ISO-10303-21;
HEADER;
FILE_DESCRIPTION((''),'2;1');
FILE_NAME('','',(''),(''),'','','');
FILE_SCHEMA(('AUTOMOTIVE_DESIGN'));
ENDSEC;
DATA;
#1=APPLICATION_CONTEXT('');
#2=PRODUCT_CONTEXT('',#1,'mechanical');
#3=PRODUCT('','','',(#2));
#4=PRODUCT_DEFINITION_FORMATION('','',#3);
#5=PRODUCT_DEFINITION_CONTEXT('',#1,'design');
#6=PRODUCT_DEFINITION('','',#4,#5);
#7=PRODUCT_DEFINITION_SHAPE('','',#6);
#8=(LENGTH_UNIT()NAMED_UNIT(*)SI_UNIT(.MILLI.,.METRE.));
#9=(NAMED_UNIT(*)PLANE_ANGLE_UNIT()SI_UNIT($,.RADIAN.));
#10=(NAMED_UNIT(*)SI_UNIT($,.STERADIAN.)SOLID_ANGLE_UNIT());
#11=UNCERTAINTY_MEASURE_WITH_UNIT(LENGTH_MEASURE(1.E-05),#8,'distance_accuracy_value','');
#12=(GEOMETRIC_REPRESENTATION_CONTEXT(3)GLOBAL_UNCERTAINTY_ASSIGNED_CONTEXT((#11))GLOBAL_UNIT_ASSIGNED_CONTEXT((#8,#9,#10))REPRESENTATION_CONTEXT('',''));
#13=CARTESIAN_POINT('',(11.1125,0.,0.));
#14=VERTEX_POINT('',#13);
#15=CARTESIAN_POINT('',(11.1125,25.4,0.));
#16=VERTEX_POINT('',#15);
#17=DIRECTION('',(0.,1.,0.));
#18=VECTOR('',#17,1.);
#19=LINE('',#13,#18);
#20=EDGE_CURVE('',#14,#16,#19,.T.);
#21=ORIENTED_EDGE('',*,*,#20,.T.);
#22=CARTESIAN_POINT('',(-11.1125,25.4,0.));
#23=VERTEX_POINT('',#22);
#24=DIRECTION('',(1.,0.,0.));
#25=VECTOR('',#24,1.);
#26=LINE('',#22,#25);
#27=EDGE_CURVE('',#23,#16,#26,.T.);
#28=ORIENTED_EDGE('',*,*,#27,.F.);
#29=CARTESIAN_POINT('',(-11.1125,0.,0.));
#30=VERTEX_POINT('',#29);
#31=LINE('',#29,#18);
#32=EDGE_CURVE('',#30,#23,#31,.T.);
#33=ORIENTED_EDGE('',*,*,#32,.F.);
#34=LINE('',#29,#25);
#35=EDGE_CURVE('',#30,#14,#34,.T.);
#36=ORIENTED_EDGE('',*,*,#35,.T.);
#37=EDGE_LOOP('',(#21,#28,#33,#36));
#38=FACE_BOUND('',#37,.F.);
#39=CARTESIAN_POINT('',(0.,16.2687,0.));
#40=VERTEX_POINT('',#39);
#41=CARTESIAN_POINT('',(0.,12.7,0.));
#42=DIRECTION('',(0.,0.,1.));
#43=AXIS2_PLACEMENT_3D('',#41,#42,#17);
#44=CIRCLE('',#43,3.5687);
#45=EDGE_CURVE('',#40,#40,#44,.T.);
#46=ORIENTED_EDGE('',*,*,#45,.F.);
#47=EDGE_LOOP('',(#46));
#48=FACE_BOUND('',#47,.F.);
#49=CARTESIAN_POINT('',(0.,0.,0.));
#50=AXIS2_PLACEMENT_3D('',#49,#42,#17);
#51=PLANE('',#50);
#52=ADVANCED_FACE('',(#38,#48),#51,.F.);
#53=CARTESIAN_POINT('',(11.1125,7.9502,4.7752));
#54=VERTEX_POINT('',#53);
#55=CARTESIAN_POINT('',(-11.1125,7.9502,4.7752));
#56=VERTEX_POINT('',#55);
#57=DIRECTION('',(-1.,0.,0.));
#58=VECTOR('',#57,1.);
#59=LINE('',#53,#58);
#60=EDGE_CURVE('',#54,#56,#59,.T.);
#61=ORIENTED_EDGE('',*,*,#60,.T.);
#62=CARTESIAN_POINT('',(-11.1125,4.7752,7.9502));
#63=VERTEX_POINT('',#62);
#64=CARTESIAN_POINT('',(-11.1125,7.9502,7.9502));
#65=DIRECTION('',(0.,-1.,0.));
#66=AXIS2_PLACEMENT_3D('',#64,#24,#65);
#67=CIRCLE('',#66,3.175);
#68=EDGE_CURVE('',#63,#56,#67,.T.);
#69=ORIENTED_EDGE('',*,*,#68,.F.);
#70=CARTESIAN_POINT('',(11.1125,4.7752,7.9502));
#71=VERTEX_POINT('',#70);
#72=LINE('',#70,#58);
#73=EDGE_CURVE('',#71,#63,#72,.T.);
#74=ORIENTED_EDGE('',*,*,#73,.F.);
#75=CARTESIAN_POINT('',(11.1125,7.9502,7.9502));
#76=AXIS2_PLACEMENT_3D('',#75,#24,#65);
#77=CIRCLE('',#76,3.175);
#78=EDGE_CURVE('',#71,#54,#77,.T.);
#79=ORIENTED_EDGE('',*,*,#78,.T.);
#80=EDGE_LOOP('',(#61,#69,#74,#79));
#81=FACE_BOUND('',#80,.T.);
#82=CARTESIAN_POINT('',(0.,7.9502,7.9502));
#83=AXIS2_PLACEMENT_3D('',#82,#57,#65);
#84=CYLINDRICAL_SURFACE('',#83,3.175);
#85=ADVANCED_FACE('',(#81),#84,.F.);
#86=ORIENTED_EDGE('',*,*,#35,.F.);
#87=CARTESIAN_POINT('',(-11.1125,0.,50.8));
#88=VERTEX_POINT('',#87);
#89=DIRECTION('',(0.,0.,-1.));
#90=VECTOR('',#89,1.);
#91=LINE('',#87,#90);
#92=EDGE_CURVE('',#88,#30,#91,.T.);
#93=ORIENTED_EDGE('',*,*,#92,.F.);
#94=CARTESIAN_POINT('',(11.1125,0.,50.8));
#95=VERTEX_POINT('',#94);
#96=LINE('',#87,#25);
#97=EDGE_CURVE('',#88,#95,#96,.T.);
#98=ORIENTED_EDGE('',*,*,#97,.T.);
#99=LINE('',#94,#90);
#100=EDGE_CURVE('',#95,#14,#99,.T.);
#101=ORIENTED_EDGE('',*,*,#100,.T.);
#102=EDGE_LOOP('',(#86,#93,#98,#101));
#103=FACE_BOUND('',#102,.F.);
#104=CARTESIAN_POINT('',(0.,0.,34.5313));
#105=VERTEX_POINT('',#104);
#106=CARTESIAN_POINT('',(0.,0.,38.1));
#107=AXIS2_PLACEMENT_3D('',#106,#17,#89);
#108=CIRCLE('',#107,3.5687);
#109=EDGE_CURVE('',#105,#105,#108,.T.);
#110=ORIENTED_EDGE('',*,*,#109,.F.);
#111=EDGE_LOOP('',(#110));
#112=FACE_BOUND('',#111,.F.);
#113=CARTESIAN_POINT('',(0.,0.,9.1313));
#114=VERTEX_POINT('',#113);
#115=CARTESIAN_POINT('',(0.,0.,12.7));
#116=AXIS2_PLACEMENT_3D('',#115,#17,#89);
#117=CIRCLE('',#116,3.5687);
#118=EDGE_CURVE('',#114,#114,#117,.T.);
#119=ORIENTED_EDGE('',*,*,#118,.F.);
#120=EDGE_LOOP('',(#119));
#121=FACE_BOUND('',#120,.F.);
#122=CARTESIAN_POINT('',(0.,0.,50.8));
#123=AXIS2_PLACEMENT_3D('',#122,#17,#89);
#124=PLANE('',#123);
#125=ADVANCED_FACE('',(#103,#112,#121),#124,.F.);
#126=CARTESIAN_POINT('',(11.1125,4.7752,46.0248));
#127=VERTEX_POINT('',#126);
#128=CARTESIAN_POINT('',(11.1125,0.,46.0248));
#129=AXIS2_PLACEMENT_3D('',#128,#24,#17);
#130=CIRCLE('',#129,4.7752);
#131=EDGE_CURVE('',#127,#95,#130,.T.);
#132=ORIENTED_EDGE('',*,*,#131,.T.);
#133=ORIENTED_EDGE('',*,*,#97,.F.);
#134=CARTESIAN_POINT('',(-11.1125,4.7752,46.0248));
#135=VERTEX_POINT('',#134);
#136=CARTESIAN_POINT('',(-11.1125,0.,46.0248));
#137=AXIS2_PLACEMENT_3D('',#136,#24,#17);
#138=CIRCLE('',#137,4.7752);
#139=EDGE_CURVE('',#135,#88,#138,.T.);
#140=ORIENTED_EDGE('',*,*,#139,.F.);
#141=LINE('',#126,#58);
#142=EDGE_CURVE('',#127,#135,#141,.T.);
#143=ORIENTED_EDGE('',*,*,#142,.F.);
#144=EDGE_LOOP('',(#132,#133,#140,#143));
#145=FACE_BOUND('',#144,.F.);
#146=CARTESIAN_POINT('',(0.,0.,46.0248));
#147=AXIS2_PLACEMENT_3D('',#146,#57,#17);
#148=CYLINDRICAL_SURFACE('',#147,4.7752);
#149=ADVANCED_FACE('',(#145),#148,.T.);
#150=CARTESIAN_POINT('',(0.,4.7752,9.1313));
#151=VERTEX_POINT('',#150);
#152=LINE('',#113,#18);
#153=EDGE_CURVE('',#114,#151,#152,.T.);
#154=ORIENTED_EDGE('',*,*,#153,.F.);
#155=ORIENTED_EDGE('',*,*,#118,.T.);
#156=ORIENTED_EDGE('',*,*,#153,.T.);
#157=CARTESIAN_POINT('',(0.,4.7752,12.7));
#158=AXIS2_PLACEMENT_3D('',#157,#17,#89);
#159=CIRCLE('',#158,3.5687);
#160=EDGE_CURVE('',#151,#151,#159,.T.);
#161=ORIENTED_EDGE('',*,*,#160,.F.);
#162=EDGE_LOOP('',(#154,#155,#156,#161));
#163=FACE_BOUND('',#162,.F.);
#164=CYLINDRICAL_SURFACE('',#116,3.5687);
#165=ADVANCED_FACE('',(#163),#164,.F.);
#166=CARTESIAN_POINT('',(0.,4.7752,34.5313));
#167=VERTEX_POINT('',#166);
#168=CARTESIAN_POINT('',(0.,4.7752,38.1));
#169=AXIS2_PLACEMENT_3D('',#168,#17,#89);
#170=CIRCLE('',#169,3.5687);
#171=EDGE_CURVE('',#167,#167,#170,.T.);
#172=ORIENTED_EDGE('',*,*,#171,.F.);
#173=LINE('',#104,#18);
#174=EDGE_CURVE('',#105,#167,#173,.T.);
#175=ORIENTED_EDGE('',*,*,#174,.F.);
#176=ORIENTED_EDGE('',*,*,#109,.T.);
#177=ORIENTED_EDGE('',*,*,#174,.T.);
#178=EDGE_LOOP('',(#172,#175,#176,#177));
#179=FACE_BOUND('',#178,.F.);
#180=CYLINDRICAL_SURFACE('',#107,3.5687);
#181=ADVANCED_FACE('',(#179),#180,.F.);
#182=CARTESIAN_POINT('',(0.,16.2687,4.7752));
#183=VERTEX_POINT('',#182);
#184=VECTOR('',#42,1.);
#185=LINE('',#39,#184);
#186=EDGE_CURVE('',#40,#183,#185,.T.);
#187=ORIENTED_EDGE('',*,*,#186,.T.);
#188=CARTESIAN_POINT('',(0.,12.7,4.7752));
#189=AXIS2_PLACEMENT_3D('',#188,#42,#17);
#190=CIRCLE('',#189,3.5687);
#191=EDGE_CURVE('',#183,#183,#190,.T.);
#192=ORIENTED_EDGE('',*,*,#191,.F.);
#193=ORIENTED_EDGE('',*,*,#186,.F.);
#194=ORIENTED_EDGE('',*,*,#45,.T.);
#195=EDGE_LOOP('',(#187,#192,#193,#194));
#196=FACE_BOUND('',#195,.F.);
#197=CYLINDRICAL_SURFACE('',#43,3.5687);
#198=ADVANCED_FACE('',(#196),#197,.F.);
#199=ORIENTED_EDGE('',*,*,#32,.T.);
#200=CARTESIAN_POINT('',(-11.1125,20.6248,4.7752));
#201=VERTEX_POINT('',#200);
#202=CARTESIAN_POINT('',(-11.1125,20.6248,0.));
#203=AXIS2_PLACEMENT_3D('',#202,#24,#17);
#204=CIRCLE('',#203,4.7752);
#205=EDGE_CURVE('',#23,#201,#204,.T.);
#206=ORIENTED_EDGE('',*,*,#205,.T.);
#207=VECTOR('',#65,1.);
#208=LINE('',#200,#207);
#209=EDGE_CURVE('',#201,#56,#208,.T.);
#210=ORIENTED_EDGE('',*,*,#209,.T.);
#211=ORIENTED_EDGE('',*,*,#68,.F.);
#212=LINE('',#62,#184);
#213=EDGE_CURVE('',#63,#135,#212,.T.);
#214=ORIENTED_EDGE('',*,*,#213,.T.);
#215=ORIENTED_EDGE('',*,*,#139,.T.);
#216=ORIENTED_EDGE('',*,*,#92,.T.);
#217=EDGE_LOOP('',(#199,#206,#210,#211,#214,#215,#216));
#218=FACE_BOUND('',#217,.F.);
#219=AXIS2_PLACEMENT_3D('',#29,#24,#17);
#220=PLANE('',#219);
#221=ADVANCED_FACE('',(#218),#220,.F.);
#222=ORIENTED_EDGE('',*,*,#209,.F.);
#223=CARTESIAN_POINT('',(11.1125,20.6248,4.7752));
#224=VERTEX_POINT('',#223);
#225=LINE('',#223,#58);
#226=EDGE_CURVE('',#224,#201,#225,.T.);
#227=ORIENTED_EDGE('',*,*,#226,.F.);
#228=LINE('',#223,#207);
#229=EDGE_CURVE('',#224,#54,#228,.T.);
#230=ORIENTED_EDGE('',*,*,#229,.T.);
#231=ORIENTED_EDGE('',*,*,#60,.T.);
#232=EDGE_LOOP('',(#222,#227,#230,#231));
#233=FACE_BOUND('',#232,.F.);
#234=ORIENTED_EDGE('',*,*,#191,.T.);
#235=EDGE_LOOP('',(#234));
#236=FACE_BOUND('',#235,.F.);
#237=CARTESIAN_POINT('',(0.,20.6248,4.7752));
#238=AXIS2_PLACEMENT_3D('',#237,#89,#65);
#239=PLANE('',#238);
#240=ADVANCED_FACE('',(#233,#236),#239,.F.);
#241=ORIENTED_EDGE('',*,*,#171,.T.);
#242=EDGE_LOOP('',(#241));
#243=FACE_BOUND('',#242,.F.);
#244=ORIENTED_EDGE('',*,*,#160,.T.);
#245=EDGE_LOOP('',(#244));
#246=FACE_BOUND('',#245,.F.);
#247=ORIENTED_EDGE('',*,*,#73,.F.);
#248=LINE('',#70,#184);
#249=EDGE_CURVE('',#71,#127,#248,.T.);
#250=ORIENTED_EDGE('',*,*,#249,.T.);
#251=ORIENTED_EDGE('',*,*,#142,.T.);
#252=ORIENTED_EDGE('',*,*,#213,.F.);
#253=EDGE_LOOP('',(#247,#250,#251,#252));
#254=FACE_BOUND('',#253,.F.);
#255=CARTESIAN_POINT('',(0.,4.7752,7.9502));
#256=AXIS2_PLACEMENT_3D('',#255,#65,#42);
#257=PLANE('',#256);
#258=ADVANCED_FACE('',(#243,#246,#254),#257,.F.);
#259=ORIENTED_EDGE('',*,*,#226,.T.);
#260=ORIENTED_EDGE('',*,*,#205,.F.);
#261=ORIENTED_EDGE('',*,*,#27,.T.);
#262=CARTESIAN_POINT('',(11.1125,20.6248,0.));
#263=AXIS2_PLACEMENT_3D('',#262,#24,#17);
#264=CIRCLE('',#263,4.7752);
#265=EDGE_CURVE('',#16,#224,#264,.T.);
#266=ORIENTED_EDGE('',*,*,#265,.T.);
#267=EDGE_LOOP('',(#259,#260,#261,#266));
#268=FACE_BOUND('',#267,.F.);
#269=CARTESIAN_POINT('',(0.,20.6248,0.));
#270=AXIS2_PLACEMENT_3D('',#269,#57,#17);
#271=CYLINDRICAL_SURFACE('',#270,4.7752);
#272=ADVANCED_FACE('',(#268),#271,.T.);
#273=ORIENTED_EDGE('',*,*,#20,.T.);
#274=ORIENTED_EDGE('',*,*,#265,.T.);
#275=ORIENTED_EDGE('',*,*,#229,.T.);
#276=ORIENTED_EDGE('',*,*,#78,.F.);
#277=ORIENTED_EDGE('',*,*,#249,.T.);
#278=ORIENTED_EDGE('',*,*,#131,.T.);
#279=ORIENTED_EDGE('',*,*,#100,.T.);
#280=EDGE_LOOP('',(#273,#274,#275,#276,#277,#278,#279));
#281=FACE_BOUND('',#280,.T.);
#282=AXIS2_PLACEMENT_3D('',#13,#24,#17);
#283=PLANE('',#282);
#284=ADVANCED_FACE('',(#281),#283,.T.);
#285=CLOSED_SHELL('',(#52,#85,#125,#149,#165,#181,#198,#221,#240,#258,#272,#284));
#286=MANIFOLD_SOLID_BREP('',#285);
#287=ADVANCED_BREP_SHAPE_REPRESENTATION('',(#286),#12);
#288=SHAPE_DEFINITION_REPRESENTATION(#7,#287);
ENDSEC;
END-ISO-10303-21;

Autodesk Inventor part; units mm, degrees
ref_plane "YZ Plane" through (0, 0, 0) normal (1, 0, 0) x (0, 1, 0)
ref_plane "XZ Plane" through (0, 0, 0) normal (0, 1, 0) x (-1, 0, 0)
ref_plane "XY Plane" through (0, 0, 0) normal (0, 0, 1) x (1, 0, 0)
sketch "Sketch_1" plane through (0, 0, 0) normal (1, 0, 0) x (0, 1, 0)
  line L0 (0, 50.8) -> (0, 0)
  line L1 (0, 0) -> (25.4, 0)
  arc A0 (25.4, 0) -> (20.6248, 4.7752) centre (20.6248, 0) ccw
  line L2 (20.6248, 4.7752) -> (7.9502, 4.7752)
  arc A1 (4.7752, 7.9502) -> (7.9502, 4.7752) centre (7.9502, 7.9502) ccw
  line L3 (4.7752, 7.9502) -> (4.7752, 46.0248)
  arc A2 (4.7752, 46.0248) -> (0, 50.8) centre (0, 46.0248) ccw
extrude "Extrusion1" add sketch "Sketch_1" along normal mid plane 22.225
sketch "Sketch2" plane through (11.1125, 25.4, 0) normal (0, 0, -1) x (-1, 0, 0)
  point P0 (11.1125, -12.7)
hole "Hole1" at (0, 12.7, 0) direction (0, 0, 1) diameter 7.1374 depth 4.7752
sketch "Sketch3" plane through (-11.1125, 0, 0) normal (0, -1, 0) x (1, 0, 0)
  point P0 (11.1125, 12.7)
hole "Hole2" at (0, 0, 12.7) direction (0, 1, 0) diameter 7.1374 depth 4.7752
sketch "Sketch4" plane through (-11.1125, 0, 0) normal (0, -1, 0) x (1, 0, 0)
  point P0 (11.1125, 38.1)
hole "Hole3" at (0, 0, 38.1) direction (0, 1, 0) diameter 7.1374 depth 4.7752
properties part number "4176"
